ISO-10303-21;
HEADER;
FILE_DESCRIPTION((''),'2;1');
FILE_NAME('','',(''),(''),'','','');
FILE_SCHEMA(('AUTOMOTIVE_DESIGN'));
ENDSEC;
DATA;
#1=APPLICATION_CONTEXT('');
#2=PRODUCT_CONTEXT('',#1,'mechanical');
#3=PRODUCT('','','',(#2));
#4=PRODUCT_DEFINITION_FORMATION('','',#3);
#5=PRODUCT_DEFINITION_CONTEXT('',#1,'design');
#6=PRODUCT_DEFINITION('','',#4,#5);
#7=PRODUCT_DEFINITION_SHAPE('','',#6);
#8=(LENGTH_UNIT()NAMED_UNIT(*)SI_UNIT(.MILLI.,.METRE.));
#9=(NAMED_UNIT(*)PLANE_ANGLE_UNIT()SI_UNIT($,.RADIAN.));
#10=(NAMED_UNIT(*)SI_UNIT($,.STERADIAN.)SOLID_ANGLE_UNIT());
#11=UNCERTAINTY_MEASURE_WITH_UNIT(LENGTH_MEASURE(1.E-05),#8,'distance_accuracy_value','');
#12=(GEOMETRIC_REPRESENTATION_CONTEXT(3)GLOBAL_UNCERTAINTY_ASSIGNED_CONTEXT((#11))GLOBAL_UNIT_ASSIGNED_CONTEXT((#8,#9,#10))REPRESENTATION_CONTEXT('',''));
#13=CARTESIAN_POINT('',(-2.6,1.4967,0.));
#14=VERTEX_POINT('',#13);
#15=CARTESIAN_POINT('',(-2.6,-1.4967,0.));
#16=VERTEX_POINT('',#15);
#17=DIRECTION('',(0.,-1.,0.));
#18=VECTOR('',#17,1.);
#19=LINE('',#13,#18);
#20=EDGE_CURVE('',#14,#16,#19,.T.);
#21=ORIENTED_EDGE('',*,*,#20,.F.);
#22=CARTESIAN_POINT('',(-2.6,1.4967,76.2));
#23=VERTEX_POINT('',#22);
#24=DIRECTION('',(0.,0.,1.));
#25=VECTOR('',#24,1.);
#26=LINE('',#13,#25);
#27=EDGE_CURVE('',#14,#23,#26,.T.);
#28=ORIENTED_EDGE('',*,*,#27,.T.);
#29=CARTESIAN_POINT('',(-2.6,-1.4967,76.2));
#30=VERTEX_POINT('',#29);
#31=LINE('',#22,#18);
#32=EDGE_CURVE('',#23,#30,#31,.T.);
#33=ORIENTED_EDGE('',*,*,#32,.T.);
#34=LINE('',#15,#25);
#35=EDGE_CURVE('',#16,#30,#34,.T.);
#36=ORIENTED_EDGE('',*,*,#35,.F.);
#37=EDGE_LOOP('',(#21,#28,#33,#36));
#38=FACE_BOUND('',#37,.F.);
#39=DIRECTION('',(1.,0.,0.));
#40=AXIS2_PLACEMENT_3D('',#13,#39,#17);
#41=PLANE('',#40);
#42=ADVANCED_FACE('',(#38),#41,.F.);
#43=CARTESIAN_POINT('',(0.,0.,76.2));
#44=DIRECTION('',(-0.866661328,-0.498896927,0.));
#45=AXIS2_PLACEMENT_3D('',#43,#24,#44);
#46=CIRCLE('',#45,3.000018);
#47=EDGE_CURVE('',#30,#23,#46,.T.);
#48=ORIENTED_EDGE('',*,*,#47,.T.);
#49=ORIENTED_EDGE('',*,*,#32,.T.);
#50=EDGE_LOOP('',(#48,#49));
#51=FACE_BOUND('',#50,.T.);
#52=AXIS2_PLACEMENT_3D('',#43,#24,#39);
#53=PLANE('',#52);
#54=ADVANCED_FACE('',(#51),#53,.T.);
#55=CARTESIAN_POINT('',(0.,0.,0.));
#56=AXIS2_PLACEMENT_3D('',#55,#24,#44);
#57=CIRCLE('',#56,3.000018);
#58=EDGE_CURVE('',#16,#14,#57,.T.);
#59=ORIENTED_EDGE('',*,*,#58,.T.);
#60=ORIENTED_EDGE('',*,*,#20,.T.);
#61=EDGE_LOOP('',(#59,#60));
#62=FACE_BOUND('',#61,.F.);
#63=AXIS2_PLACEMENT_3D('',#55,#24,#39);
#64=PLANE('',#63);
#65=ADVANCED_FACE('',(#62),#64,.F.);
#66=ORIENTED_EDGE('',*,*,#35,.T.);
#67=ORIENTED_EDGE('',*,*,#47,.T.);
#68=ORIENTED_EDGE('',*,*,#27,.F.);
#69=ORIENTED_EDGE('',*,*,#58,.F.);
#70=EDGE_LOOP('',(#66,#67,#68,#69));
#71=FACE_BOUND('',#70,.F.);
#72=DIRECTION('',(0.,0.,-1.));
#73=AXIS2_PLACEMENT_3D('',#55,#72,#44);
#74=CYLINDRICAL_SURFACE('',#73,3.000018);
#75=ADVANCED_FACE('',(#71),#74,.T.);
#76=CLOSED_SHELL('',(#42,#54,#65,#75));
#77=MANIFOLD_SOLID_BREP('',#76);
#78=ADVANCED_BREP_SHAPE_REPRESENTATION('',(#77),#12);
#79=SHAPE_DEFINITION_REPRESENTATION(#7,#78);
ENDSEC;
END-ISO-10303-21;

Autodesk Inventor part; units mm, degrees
ref_plane "YZ Plane" through (0, 0, 0) normal (1, 0, 0) x (0, 1, 0)
ref_plane "XZ Plane" through (0, 0, 0) normal (0, 1, 0) x (-1, 0, 0)
ref_plane "XY Plane" through (0, 0, 0) normal (0, 0, 1) x (1, 0, 0)
sketch "Sketch1" plane through (0, 0, 0) normal (0, 0, 1) x (1, 0, 0)
  arc A0 (-2.6, -1.4967) -> (-2.6, 1.4967) centre (0, 0) ccw
  line L0 (-2.6, 1.4967) -> (-2.6, -1.4967)
  line L1 (0, 0) -> (3, 0) construction
  line L2 (3, 3.2672) -> (3, -2.6069) construction
  dimension "d0" = 6
  dimension "d1" = 5.6
extrude "Extrusion1" add sketch "Sketch1" along normal blind 76.2
properties part number "drive_shaft_6mm_d"
